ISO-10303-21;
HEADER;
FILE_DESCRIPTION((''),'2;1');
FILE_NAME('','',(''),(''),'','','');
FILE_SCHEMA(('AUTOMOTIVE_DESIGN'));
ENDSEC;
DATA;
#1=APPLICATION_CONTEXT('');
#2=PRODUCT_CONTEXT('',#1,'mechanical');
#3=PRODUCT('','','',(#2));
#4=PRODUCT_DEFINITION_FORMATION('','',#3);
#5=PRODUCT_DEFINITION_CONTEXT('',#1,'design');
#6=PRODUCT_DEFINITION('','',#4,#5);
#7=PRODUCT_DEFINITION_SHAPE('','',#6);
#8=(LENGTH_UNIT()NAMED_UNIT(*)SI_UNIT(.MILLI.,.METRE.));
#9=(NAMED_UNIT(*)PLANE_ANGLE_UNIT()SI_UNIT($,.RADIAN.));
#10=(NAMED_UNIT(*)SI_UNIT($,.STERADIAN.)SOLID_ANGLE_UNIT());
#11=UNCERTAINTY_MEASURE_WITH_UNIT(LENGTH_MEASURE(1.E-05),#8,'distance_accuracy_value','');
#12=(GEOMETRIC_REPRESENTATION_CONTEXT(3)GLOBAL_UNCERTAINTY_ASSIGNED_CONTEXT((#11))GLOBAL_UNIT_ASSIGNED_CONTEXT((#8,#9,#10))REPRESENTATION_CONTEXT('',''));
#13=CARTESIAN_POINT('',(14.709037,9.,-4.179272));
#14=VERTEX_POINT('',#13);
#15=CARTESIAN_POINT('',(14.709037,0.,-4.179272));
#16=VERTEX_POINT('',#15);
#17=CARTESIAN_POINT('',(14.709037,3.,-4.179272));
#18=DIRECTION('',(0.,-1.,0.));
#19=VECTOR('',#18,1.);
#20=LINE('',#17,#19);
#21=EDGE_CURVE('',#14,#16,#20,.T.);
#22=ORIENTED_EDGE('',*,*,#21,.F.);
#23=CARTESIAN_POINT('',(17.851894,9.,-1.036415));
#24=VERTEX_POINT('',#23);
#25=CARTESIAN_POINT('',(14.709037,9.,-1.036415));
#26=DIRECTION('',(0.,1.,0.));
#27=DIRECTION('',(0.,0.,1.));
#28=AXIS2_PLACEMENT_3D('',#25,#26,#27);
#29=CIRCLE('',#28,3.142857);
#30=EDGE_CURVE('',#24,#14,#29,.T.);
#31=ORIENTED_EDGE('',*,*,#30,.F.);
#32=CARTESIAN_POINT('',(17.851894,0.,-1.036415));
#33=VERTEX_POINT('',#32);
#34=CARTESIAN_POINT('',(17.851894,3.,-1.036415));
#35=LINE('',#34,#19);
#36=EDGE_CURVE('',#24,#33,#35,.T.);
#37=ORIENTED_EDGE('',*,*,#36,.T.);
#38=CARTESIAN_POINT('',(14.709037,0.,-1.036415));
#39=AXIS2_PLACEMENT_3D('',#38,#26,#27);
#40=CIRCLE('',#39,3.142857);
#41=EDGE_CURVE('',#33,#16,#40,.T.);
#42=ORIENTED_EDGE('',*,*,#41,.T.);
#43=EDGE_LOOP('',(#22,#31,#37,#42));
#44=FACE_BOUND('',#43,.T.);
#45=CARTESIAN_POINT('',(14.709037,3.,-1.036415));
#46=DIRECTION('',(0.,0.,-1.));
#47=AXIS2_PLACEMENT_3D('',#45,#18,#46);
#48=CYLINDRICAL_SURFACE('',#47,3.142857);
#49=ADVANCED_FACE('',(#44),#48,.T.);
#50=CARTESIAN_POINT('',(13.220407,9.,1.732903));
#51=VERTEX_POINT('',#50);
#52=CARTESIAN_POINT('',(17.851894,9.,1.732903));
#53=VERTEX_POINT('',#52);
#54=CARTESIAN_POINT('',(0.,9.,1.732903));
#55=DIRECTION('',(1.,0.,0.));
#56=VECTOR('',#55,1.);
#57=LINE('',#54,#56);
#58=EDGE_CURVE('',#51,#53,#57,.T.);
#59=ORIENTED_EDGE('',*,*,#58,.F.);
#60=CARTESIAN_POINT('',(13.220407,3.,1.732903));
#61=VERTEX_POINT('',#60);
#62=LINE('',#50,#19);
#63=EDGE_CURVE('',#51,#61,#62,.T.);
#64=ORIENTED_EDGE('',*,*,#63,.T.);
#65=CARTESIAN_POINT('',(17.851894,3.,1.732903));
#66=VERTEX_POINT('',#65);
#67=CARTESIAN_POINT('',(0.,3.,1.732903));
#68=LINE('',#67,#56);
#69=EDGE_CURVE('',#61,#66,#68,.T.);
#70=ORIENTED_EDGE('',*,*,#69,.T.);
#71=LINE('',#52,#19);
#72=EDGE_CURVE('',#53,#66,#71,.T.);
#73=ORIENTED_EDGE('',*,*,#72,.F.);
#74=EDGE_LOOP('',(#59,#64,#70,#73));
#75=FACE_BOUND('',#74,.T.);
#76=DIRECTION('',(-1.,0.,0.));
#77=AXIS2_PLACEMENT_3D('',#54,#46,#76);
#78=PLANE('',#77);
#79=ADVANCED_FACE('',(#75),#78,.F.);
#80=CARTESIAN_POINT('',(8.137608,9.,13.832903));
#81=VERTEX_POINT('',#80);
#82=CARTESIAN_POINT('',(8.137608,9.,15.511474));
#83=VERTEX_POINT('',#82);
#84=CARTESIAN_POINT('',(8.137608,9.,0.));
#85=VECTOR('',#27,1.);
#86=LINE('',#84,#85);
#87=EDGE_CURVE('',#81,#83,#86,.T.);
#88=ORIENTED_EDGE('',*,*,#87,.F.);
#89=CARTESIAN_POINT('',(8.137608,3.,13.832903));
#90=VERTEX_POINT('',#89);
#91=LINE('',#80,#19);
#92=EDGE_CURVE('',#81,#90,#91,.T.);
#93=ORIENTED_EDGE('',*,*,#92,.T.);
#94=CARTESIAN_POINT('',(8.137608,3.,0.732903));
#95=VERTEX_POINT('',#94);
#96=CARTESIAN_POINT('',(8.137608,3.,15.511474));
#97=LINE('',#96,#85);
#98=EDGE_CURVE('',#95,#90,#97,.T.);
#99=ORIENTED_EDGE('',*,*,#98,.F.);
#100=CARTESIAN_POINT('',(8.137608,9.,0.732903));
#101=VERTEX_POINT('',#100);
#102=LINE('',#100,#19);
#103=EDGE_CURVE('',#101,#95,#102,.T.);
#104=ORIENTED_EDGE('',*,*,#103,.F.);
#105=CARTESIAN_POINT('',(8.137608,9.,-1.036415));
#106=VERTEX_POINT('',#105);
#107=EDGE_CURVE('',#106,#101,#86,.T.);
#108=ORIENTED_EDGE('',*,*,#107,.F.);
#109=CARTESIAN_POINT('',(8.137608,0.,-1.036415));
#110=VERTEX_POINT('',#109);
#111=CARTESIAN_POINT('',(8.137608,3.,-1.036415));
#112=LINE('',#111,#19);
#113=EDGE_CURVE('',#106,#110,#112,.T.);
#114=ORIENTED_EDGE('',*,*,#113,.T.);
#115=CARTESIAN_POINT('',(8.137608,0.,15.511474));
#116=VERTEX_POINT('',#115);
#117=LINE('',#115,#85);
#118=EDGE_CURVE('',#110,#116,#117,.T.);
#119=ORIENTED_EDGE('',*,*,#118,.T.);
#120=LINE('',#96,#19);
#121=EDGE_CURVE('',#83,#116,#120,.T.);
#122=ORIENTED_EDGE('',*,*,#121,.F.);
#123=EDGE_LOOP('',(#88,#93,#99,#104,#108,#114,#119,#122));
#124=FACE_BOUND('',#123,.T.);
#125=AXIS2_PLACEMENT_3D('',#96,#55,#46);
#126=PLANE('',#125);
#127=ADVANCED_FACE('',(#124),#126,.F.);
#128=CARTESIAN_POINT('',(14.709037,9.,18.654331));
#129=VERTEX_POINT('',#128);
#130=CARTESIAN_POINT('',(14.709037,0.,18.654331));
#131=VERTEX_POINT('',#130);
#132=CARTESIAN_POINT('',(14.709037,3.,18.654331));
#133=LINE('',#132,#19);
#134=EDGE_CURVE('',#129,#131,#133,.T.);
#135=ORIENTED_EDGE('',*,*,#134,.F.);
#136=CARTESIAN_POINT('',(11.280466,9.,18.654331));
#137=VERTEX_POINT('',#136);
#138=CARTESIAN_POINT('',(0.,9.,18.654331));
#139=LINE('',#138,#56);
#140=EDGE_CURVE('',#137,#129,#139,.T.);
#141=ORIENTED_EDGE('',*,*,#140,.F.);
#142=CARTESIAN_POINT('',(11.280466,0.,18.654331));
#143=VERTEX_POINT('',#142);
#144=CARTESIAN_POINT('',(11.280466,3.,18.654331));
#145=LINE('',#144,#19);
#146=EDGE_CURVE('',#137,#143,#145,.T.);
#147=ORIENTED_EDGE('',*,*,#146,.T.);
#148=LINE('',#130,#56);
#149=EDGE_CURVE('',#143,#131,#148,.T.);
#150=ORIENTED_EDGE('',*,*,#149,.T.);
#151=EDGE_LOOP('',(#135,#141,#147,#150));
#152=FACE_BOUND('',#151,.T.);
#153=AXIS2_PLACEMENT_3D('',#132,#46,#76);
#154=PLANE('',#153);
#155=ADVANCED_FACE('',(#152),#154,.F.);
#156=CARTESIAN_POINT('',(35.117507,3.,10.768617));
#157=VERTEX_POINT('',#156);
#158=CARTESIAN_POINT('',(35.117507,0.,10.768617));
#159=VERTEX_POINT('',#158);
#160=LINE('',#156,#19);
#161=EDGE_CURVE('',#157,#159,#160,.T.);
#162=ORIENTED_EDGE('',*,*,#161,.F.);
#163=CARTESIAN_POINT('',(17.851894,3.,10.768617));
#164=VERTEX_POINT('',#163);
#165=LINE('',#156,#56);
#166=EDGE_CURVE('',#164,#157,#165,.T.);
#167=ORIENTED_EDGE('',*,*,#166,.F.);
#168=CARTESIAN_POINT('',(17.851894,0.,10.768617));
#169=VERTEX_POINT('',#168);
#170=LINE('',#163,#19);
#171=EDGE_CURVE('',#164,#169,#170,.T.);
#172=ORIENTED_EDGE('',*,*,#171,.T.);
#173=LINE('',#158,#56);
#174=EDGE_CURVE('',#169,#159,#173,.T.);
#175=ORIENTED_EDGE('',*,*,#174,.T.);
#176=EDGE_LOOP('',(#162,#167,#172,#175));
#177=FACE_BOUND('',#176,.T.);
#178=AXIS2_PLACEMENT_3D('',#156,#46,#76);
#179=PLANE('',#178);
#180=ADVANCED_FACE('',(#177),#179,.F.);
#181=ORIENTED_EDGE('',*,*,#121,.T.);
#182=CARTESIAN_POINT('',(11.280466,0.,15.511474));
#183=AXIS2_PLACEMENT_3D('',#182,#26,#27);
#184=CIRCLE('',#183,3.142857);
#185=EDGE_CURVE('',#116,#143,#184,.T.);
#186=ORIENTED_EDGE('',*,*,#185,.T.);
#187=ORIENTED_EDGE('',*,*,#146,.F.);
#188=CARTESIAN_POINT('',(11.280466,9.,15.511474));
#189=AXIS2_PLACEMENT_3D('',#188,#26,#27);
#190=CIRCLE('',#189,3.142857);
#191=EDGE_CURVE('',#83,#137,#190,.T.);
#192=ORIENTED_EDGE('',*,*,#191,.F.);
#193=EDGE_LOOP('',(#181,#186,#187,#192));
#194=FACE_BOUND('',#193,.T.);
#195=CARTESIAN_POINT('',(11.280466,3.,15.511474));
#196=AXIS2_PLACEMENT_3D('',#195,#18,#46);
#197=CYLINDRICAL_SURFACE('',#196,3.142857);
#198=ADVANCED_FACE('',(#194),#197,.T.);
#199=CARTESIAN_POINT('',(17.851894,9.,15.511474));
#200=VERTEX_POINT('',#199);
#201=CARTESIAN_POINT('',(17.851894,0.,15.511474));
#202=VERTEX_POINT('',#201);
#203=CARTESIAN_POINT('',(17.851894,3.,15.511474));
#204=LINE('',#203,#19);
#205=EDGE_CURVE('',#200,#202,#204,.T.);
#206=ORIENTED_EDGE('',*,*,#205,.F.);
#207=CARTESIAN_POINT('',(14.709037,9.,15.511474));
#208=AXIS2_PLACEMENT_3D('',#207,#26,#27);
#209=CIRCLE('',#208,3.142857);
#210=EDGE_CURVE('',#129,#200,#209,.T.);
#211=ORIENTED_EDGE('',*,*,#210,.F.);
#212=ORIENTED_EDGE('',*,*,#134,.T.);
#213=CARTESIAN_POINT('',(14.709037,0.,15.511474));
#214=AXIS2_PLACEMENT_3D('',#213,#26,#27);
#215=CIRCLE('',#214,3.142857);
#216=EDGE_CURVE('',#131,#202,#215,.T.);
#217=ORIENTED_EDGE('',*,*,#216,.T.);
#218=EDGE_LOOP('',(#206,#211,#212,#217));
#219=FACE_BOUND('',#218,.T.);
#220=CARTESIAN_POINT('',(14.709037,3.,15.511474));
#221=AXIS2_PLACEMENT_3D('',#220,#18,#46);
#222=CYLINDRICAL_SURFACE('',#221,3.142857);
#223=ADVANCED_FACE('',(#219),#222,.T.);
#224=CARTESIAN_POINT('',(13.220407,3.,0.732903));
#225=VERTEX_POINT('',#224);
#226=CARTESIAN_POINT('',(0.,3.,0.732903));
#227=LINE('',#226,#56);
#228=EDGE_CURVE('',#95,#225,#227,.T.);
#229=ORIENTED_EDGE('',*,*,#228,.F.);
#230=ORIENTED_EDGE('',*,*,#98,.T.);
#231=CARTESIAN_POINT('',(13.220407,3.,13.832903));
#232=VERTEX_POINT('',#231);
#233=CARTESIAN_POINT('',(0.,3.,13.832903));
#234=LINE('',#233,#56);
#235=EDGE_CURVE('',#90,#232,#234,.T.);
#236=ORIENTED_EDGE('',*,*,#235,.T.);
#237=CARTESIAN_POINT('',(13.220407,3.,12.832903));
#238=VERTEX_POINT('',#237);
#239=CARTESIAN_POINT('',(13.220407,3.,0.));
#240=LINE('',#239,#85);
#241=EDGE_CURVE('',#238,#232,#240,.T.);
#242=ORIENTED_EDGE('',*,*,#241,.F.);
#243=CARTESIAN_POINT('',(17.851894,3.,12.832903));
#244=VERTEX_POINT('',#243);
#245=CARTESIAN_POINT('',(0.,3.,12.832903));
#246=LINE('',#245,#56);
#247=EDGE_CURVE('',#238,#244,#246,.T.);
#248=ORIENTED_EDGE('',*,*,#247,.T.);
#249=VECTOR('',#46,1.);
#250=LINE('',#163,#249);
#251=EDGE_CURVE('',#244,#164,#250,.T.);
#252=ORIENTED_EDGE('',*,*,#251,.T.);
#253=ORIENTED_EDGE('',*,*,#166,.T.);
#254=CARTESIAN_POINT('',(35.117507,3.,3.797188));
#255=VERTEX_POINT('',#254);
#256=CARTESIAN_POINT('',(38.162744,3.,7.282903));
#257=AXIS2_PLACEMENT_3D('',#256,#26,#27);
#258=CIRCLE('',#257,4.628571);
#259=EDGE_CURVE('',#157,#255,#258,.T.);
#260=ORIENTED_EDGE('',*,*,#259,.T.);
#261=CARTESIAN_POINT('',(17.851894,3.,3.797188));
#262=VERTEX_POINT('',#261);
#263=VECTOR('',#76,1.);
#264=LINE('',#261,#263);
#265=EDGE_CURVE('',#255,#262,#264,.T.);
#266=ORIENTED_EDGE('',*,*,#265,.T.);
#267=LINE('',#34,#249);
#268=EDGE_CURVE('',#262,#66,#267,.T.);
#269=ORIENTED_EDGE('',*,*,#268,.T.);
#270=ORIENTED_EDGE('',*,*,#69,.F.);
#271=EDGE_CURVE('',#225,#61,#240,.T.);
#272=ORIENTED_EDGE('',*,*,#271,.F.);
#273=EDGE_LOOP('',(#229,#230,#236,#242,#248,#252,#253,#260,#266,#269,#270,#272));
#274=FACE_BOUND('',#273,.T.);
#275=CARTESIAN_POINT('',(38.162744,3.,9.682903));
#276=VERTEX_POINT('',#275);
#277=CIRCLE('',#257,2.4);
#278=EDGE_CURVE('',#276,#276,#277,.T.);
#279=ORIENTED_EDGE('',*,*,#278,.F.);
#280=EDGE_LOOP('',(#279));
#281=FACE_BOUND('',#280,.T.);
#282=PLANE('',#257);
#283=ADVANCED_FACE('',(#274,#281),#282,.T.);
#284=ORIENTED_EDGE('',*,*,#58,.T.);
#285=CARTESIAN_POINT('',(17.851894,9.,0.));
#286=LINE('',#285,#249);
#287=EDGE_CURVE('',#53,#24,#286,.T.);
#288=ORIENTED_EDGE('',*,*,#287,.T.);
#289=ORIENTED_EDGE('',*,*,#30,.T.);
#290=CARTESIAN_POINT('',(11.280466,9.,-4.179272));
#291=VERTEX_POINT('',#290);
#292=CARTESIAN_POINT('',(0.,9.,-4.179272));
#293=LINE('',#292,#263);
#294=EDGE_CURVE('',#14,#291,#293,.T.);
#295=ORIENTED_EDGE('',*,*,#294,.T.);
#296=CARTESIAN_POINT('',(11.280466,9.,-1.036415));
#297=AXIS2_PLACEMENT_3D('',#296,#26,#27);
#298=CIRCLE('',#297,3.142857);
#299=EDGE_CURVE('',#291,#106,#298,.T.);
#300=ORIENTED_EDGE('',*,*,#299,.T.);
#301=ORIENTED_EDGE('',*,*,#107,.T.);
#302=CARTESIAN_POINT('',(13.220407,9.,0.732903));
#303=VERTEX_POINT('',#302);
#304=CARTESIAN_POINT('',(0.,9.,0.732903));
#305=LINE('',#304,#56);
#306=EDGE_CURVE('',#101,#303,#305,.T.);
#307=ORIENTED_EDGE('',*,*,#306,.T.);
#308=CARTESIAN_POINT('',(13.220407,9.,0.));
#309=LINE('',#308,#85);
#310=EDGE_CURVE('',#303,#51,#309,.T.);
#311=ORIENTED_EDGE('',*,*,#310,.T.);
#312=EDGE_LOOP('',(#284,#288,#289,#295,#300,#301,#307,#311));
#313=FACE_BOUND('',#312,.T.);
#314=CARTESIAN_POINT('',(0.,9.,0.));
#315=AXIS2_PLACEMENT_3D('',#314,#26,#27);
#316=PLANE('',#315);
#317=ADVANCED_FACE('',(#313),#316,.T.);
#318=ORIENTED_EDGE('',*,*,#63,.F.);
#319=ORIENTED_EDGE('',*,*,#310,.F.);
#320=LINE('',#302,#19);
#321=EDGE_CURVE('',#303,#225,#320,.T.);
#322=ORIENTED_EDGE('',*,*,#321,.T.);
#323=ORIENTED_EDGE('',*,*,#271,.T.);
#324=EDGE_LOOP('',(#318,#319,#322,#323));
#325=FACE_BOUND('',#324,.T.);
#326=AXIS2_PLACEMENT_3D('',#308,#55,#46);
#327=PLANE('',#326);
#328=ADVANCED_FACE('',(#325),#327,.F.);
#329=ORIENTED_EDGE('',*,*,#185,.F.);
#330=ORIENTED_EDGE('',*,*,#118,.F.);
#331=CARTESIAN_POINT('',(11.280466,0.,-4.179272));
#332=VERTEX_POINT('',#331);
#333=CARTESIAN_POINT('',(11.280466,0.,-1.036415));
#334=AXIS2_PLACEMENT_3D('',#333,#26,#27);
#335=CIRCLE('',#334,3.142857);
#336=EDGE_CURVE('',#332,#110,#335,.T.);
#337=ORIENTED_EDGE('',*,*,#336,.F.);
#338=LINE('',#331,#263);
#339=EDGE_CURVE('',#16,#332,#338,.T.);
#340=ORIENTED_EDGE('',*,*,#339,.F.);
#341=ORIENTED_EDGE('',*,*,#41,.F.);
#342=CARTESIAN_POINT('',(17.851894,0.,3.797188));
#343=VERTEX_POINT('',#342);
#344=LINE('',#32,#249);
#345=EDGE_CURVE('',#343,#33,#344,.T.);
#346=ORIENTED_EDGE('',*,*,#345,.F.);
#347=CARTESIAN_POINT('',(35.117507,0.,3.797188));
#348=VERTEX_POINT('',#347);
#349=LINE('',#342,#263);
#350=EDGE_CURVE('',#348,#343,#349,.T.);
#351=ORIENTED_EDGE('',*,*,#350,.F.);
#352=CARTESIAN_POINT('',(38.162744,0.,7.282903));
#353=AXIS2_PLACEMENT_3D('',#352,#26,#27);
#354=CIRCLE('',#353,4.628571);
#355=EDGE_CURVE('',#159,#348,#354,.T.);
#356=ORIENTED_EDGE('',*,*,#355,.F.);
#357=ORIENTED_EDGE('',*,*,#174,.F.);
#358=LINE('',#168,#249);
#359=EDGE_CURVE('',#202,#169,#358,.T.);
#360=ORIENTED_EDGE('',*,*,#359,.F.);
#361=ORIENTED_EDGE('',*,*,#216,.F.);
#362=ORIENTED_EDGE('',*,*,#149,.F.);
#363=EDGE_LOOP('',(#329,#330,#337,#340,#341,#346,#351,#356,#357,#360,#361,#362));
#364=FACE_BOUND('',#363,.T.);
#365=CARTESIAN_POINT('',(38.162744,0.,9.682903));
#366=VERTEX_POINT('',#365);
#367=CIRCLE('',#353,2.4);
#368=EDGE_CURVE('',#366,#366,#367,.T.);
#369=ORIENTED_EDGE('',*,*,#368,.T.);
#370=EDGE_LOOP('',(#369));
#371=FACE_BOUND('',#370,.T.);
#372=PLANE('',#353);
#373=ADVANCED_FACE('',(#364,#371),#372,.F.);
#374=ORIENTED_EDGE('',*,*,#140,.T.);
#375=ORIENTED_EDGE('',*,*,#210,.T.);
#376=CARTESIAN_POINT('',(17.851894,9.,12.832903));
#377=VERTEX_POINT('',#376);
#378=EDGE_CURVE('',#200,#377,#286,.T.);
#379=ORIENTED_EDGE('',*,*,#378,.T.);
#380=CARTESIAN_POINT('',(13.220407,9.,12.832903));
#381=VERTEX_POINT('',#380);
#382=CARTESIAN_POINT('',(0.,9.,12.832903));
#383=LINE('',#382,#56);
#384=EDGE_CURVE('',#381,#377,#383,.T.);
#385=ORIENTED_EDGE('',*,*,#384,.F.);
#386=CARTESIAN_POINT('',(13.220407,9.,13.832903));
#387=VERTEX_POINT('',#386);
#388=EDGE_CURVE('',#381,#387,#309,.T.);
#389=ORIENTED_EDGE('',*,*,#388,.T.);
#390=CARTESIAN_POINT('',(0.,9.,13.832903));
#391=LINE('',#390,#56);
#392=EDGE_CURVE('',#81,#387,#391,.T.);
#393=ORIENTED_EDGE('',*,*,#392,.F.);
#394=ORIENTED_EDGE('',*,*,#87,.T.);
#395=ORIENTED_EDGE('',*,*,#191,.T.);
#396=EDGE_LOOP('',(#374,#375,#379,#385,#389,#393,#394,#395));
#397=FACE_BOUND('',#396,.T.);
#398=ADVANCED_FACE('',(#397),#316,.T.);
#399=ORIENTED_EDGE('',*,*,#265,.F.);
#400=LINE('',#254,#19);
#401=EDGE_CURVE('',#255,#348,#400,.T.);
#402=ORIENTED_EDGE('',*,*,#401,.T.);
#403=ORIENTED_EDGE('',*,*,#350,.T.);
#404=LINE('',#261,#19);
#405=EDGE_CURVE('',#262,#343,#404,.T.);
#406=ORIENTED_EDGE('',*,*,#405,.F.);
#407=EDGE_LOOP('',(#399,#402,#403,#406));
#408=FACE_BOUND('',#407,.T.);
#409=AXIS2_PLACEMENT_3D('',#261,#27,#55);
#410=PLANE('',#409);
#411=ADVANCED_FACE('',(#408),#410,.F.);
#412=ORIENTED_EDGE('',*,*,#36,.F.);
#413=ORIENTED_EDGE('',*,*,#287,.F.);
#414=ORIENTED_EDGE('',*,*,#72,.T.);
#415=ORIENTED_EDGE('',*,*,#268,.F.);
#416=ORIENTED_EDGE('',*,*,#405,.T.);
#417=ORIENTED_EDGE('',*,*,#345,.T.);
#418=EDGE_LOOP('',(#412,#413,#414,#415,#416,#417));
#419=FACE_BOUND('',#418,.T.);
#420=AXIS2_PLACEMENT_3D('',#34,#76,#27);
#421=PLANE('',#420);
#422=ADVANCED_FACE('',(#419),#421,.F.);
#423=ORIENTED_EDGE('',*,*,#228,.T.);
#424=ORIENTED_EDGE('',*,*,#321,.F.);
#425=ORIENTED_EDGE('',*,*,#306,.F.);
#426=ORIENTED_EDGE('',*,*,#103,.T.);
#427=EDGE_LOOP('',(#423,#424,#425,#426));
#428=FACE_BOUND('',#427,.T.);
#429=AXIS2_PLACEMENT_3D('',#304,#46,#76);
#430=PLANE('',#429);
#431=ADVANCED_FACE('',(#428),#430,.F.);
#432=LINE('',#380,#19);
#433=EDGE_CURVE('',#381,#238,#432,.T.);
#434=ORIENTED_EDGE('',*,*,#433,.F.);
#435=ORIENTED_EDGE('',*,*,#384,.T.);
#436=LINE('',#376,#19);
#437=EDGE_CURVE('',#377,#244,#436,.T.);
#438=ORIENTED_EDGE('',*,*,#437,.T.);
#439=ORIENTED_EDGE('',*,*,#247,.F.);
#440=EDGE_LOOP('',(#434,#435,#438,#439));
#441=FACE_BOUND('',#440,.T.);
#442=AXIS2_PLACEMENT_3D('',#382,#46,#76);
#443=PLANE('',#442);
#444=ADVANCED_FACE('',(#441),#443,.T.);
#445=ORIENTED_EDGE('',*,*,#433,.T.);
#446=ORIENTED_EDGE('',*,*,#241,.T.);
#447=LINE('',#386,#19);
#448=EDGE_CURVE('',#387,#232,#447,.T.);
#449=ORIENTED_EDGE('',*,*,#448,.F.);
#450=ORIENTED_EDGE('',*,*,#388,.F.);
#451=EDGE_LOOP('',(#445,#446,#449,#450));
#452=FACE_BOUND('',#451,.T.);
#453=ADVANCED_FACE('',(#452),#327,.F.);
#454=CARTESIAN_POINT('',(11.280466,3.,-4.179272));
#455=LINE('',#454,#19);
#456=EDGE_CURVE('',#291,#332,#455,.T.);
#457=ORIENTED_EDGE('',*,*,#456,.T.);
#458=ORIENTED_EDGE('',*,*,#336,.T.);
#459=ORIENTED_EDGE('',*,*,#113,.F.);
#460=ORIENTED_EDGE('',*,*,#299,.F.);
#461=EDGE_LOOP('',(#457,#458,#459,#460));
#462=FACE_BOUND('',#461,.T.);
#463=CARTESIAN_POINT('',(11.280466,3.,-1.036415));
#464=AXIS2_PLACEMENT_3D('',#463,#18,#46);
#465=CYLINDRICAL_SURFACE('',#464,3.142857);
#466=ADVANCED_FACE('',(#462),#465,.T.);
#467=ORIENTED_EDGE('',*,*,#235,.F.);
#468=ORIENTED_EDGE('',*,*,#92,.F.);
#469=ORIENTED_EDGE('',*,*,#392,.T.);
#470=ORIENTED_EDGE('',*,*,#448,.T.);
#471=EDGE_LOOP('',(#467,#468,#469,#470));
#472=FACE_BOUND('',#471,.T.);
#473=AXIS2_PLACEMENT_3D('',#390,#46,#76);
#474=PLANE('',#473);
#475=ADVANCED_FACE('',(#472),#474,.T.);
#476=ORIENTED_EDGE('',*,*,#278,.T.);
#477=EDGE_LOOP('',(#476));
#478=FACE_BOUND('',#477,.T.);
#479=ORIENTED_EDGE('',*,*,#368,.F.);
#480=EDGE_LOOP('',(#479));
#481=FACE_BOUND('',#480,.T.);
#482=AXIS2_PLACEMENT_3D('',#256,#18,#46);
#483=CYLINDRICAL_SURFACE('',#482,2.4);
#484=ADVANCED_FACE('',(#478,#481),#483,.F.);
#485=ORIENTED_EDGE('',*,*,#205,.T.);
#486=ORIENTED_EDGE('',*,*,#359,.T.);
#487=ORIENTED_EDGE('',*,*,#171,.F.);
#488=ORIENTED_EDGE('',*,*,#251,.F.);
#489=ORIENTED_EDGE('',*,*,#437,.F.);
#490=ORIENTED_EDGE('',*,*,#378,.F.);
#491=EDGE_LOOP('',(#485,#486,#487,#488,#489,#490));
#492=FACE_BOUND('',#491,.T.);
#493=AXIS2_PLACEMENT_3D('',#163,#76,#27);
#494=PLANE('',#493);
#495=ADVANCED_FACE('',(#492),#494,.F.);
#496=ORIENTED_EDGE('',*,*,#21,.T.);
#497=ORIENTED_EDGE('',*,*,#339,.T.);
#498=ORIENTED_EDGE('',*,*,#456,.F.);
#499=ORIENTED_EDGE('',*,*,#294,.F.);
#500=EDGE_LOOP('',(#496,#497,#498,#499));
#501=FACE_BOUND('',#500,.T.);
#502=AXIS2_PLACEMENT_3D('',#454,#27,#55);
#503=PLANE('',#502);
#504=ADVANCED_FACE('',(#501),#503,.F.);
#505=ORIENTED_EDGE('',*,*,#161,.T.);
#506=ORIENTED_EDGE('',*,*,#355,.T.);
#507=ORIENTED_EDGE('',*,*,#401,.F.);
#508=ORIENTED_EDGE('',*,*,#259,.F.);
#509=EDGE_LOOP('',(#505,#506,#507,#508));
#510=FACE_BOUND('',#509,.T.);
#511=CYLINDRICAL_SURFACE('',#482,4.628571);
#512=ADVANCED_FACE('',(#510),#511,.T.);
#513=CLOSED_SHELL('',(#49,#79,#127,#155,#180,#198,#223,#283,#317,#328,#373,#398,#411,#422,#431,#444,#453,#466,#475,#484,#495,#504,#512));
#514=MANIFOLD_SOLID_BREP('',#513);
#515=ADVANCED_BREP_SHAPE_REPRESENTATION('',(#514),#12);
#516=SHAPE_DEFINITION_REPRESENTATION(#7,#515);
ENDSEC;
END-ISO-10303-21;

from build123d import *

# Parameters (mm, degrees)
CROQUIS1_R              = 2.4
SALIENTE_EXTRUIR1_DEPTH = 3
SALIENTE_EXTRUIR2_DEPTH = 6


with BuildPart() as part:
    # Croquis1 → Saliente-Extruir1 (new body)
    with BuildSketch(Plane(origin=(0, 0, 0), x_dir=(1, 0, 0), z_dir=(0, 1, 0))):
        with BuildLine():
            Line((35.117506554, -10.768616799), (17.851894103, -10.768616799))
            Line((17.851894103, -10.768616799), (17.851894103, -15.511473942))
            ThreePointArc((17.851894103, -15.511473942), (16.931372558, -17.73380954), (14.70903696, -18.654331085))
            Line((14.70903696, -18.654331085), (11.280465531, -18.654331085))
            ThreePointArc((11.280465531, -18.654331085), (9.058129933, -17.73380954), (8.137608389, -15.511473942))
            Line((8.137608389, -15.511473942), (8.137608389, 1.036415275))
            ThreePointArc((8.137608389, 1.036415275), (9.058129933, 3.258750873), (11.280465531, 4.179272418))
            Line((11.280465531, 4.179272418), (14.70903696, 4.179272418))
            ThreePointArc((14.70903696, 4.179272418), (16.931372558, 3.258750873), (17.851894103, 1.036415275))
            Line((17.851894103, 1.036415275), (17.851894103, -3.797188228))
            Line((17.851894103, -3.797188228), (35.117506554, -3.797188228))
            ThreePointArc((35.117506554, -3.797188228), (42.791315147, -7.282902513), (35.117506554, -10.768616799))
        make_face()
        with Locations(Location((38.162743718, -7.282902513, 0), (0, 0, 270))):
            Circle(CROQUIS1_R, mode=Mode.SUBTRACT)
    extrude(amount=SALIENTE_EXTRUIR1_DEPTH)

    # Croquis2 → Saliente-Extruir2 (add)
    with BuildSketch(Plane(origin=(0, 3, 0), x_dir=(1, 0, 0), z_dir=(0, 1, 0))):
        with BuildLine():
            Line((13.22040734, -0.732902513), (13.22040734, -1.732902513))
            Line((13.22040734, -1.732902513), (17.851894103, -1.732902513))
            Line((17.851894103, -1.732902513), (17.851894103, 1.036415275))
            ThreePointArc((17.851894103, 1.036415275), (16.931372558, 3.258750873), (14.70903696, 4.179272418))
            Line((14.70903696, 4.179272418), (11.280465531, 4.179272418))
            ThreePointArc((11.280465531, 4.179272418), (9.058129933, 3.258750873), (8.137608389, 1.036415275))
            Line((8.137608389, 1.036415275), (8.137608389, -0.732902513))
            Line((8.137608389, -0.732902513), (13.22040734, -0.732902513))
        make_face()
        with BuildLine():
            Line((17.851894103, -12.832902513), (13.22040734, -12.832902513))
            Line((13.22040734, -12.832902513), (13.22040734, -13.832902513))
            Line((13.22040734, -13.832902513), (8.137608389, -13.832902513))
            Line((8.137608389, -13.832902513), (8.137608389, -15.511473942))
            ThreePointArc((8.137608389, -15.511473942), (9.058129933, -17.73380954), (11.280465531, -18.654331085))
            Line((11.280465531, -18.654331085), (14.70903696, -18.654331085))
            ThreePointArc((14.70903696, -18.654331085), (16.931372558, -17.73380954), (17.851894103, -15.511473942))
            Line((17.851894103, -15.511473942), (17.851894103, -12.832902513))
        make_face()
    extrude(amount=SALIENTE_EXTRUIR2_DEPTH)


solid = part.part
